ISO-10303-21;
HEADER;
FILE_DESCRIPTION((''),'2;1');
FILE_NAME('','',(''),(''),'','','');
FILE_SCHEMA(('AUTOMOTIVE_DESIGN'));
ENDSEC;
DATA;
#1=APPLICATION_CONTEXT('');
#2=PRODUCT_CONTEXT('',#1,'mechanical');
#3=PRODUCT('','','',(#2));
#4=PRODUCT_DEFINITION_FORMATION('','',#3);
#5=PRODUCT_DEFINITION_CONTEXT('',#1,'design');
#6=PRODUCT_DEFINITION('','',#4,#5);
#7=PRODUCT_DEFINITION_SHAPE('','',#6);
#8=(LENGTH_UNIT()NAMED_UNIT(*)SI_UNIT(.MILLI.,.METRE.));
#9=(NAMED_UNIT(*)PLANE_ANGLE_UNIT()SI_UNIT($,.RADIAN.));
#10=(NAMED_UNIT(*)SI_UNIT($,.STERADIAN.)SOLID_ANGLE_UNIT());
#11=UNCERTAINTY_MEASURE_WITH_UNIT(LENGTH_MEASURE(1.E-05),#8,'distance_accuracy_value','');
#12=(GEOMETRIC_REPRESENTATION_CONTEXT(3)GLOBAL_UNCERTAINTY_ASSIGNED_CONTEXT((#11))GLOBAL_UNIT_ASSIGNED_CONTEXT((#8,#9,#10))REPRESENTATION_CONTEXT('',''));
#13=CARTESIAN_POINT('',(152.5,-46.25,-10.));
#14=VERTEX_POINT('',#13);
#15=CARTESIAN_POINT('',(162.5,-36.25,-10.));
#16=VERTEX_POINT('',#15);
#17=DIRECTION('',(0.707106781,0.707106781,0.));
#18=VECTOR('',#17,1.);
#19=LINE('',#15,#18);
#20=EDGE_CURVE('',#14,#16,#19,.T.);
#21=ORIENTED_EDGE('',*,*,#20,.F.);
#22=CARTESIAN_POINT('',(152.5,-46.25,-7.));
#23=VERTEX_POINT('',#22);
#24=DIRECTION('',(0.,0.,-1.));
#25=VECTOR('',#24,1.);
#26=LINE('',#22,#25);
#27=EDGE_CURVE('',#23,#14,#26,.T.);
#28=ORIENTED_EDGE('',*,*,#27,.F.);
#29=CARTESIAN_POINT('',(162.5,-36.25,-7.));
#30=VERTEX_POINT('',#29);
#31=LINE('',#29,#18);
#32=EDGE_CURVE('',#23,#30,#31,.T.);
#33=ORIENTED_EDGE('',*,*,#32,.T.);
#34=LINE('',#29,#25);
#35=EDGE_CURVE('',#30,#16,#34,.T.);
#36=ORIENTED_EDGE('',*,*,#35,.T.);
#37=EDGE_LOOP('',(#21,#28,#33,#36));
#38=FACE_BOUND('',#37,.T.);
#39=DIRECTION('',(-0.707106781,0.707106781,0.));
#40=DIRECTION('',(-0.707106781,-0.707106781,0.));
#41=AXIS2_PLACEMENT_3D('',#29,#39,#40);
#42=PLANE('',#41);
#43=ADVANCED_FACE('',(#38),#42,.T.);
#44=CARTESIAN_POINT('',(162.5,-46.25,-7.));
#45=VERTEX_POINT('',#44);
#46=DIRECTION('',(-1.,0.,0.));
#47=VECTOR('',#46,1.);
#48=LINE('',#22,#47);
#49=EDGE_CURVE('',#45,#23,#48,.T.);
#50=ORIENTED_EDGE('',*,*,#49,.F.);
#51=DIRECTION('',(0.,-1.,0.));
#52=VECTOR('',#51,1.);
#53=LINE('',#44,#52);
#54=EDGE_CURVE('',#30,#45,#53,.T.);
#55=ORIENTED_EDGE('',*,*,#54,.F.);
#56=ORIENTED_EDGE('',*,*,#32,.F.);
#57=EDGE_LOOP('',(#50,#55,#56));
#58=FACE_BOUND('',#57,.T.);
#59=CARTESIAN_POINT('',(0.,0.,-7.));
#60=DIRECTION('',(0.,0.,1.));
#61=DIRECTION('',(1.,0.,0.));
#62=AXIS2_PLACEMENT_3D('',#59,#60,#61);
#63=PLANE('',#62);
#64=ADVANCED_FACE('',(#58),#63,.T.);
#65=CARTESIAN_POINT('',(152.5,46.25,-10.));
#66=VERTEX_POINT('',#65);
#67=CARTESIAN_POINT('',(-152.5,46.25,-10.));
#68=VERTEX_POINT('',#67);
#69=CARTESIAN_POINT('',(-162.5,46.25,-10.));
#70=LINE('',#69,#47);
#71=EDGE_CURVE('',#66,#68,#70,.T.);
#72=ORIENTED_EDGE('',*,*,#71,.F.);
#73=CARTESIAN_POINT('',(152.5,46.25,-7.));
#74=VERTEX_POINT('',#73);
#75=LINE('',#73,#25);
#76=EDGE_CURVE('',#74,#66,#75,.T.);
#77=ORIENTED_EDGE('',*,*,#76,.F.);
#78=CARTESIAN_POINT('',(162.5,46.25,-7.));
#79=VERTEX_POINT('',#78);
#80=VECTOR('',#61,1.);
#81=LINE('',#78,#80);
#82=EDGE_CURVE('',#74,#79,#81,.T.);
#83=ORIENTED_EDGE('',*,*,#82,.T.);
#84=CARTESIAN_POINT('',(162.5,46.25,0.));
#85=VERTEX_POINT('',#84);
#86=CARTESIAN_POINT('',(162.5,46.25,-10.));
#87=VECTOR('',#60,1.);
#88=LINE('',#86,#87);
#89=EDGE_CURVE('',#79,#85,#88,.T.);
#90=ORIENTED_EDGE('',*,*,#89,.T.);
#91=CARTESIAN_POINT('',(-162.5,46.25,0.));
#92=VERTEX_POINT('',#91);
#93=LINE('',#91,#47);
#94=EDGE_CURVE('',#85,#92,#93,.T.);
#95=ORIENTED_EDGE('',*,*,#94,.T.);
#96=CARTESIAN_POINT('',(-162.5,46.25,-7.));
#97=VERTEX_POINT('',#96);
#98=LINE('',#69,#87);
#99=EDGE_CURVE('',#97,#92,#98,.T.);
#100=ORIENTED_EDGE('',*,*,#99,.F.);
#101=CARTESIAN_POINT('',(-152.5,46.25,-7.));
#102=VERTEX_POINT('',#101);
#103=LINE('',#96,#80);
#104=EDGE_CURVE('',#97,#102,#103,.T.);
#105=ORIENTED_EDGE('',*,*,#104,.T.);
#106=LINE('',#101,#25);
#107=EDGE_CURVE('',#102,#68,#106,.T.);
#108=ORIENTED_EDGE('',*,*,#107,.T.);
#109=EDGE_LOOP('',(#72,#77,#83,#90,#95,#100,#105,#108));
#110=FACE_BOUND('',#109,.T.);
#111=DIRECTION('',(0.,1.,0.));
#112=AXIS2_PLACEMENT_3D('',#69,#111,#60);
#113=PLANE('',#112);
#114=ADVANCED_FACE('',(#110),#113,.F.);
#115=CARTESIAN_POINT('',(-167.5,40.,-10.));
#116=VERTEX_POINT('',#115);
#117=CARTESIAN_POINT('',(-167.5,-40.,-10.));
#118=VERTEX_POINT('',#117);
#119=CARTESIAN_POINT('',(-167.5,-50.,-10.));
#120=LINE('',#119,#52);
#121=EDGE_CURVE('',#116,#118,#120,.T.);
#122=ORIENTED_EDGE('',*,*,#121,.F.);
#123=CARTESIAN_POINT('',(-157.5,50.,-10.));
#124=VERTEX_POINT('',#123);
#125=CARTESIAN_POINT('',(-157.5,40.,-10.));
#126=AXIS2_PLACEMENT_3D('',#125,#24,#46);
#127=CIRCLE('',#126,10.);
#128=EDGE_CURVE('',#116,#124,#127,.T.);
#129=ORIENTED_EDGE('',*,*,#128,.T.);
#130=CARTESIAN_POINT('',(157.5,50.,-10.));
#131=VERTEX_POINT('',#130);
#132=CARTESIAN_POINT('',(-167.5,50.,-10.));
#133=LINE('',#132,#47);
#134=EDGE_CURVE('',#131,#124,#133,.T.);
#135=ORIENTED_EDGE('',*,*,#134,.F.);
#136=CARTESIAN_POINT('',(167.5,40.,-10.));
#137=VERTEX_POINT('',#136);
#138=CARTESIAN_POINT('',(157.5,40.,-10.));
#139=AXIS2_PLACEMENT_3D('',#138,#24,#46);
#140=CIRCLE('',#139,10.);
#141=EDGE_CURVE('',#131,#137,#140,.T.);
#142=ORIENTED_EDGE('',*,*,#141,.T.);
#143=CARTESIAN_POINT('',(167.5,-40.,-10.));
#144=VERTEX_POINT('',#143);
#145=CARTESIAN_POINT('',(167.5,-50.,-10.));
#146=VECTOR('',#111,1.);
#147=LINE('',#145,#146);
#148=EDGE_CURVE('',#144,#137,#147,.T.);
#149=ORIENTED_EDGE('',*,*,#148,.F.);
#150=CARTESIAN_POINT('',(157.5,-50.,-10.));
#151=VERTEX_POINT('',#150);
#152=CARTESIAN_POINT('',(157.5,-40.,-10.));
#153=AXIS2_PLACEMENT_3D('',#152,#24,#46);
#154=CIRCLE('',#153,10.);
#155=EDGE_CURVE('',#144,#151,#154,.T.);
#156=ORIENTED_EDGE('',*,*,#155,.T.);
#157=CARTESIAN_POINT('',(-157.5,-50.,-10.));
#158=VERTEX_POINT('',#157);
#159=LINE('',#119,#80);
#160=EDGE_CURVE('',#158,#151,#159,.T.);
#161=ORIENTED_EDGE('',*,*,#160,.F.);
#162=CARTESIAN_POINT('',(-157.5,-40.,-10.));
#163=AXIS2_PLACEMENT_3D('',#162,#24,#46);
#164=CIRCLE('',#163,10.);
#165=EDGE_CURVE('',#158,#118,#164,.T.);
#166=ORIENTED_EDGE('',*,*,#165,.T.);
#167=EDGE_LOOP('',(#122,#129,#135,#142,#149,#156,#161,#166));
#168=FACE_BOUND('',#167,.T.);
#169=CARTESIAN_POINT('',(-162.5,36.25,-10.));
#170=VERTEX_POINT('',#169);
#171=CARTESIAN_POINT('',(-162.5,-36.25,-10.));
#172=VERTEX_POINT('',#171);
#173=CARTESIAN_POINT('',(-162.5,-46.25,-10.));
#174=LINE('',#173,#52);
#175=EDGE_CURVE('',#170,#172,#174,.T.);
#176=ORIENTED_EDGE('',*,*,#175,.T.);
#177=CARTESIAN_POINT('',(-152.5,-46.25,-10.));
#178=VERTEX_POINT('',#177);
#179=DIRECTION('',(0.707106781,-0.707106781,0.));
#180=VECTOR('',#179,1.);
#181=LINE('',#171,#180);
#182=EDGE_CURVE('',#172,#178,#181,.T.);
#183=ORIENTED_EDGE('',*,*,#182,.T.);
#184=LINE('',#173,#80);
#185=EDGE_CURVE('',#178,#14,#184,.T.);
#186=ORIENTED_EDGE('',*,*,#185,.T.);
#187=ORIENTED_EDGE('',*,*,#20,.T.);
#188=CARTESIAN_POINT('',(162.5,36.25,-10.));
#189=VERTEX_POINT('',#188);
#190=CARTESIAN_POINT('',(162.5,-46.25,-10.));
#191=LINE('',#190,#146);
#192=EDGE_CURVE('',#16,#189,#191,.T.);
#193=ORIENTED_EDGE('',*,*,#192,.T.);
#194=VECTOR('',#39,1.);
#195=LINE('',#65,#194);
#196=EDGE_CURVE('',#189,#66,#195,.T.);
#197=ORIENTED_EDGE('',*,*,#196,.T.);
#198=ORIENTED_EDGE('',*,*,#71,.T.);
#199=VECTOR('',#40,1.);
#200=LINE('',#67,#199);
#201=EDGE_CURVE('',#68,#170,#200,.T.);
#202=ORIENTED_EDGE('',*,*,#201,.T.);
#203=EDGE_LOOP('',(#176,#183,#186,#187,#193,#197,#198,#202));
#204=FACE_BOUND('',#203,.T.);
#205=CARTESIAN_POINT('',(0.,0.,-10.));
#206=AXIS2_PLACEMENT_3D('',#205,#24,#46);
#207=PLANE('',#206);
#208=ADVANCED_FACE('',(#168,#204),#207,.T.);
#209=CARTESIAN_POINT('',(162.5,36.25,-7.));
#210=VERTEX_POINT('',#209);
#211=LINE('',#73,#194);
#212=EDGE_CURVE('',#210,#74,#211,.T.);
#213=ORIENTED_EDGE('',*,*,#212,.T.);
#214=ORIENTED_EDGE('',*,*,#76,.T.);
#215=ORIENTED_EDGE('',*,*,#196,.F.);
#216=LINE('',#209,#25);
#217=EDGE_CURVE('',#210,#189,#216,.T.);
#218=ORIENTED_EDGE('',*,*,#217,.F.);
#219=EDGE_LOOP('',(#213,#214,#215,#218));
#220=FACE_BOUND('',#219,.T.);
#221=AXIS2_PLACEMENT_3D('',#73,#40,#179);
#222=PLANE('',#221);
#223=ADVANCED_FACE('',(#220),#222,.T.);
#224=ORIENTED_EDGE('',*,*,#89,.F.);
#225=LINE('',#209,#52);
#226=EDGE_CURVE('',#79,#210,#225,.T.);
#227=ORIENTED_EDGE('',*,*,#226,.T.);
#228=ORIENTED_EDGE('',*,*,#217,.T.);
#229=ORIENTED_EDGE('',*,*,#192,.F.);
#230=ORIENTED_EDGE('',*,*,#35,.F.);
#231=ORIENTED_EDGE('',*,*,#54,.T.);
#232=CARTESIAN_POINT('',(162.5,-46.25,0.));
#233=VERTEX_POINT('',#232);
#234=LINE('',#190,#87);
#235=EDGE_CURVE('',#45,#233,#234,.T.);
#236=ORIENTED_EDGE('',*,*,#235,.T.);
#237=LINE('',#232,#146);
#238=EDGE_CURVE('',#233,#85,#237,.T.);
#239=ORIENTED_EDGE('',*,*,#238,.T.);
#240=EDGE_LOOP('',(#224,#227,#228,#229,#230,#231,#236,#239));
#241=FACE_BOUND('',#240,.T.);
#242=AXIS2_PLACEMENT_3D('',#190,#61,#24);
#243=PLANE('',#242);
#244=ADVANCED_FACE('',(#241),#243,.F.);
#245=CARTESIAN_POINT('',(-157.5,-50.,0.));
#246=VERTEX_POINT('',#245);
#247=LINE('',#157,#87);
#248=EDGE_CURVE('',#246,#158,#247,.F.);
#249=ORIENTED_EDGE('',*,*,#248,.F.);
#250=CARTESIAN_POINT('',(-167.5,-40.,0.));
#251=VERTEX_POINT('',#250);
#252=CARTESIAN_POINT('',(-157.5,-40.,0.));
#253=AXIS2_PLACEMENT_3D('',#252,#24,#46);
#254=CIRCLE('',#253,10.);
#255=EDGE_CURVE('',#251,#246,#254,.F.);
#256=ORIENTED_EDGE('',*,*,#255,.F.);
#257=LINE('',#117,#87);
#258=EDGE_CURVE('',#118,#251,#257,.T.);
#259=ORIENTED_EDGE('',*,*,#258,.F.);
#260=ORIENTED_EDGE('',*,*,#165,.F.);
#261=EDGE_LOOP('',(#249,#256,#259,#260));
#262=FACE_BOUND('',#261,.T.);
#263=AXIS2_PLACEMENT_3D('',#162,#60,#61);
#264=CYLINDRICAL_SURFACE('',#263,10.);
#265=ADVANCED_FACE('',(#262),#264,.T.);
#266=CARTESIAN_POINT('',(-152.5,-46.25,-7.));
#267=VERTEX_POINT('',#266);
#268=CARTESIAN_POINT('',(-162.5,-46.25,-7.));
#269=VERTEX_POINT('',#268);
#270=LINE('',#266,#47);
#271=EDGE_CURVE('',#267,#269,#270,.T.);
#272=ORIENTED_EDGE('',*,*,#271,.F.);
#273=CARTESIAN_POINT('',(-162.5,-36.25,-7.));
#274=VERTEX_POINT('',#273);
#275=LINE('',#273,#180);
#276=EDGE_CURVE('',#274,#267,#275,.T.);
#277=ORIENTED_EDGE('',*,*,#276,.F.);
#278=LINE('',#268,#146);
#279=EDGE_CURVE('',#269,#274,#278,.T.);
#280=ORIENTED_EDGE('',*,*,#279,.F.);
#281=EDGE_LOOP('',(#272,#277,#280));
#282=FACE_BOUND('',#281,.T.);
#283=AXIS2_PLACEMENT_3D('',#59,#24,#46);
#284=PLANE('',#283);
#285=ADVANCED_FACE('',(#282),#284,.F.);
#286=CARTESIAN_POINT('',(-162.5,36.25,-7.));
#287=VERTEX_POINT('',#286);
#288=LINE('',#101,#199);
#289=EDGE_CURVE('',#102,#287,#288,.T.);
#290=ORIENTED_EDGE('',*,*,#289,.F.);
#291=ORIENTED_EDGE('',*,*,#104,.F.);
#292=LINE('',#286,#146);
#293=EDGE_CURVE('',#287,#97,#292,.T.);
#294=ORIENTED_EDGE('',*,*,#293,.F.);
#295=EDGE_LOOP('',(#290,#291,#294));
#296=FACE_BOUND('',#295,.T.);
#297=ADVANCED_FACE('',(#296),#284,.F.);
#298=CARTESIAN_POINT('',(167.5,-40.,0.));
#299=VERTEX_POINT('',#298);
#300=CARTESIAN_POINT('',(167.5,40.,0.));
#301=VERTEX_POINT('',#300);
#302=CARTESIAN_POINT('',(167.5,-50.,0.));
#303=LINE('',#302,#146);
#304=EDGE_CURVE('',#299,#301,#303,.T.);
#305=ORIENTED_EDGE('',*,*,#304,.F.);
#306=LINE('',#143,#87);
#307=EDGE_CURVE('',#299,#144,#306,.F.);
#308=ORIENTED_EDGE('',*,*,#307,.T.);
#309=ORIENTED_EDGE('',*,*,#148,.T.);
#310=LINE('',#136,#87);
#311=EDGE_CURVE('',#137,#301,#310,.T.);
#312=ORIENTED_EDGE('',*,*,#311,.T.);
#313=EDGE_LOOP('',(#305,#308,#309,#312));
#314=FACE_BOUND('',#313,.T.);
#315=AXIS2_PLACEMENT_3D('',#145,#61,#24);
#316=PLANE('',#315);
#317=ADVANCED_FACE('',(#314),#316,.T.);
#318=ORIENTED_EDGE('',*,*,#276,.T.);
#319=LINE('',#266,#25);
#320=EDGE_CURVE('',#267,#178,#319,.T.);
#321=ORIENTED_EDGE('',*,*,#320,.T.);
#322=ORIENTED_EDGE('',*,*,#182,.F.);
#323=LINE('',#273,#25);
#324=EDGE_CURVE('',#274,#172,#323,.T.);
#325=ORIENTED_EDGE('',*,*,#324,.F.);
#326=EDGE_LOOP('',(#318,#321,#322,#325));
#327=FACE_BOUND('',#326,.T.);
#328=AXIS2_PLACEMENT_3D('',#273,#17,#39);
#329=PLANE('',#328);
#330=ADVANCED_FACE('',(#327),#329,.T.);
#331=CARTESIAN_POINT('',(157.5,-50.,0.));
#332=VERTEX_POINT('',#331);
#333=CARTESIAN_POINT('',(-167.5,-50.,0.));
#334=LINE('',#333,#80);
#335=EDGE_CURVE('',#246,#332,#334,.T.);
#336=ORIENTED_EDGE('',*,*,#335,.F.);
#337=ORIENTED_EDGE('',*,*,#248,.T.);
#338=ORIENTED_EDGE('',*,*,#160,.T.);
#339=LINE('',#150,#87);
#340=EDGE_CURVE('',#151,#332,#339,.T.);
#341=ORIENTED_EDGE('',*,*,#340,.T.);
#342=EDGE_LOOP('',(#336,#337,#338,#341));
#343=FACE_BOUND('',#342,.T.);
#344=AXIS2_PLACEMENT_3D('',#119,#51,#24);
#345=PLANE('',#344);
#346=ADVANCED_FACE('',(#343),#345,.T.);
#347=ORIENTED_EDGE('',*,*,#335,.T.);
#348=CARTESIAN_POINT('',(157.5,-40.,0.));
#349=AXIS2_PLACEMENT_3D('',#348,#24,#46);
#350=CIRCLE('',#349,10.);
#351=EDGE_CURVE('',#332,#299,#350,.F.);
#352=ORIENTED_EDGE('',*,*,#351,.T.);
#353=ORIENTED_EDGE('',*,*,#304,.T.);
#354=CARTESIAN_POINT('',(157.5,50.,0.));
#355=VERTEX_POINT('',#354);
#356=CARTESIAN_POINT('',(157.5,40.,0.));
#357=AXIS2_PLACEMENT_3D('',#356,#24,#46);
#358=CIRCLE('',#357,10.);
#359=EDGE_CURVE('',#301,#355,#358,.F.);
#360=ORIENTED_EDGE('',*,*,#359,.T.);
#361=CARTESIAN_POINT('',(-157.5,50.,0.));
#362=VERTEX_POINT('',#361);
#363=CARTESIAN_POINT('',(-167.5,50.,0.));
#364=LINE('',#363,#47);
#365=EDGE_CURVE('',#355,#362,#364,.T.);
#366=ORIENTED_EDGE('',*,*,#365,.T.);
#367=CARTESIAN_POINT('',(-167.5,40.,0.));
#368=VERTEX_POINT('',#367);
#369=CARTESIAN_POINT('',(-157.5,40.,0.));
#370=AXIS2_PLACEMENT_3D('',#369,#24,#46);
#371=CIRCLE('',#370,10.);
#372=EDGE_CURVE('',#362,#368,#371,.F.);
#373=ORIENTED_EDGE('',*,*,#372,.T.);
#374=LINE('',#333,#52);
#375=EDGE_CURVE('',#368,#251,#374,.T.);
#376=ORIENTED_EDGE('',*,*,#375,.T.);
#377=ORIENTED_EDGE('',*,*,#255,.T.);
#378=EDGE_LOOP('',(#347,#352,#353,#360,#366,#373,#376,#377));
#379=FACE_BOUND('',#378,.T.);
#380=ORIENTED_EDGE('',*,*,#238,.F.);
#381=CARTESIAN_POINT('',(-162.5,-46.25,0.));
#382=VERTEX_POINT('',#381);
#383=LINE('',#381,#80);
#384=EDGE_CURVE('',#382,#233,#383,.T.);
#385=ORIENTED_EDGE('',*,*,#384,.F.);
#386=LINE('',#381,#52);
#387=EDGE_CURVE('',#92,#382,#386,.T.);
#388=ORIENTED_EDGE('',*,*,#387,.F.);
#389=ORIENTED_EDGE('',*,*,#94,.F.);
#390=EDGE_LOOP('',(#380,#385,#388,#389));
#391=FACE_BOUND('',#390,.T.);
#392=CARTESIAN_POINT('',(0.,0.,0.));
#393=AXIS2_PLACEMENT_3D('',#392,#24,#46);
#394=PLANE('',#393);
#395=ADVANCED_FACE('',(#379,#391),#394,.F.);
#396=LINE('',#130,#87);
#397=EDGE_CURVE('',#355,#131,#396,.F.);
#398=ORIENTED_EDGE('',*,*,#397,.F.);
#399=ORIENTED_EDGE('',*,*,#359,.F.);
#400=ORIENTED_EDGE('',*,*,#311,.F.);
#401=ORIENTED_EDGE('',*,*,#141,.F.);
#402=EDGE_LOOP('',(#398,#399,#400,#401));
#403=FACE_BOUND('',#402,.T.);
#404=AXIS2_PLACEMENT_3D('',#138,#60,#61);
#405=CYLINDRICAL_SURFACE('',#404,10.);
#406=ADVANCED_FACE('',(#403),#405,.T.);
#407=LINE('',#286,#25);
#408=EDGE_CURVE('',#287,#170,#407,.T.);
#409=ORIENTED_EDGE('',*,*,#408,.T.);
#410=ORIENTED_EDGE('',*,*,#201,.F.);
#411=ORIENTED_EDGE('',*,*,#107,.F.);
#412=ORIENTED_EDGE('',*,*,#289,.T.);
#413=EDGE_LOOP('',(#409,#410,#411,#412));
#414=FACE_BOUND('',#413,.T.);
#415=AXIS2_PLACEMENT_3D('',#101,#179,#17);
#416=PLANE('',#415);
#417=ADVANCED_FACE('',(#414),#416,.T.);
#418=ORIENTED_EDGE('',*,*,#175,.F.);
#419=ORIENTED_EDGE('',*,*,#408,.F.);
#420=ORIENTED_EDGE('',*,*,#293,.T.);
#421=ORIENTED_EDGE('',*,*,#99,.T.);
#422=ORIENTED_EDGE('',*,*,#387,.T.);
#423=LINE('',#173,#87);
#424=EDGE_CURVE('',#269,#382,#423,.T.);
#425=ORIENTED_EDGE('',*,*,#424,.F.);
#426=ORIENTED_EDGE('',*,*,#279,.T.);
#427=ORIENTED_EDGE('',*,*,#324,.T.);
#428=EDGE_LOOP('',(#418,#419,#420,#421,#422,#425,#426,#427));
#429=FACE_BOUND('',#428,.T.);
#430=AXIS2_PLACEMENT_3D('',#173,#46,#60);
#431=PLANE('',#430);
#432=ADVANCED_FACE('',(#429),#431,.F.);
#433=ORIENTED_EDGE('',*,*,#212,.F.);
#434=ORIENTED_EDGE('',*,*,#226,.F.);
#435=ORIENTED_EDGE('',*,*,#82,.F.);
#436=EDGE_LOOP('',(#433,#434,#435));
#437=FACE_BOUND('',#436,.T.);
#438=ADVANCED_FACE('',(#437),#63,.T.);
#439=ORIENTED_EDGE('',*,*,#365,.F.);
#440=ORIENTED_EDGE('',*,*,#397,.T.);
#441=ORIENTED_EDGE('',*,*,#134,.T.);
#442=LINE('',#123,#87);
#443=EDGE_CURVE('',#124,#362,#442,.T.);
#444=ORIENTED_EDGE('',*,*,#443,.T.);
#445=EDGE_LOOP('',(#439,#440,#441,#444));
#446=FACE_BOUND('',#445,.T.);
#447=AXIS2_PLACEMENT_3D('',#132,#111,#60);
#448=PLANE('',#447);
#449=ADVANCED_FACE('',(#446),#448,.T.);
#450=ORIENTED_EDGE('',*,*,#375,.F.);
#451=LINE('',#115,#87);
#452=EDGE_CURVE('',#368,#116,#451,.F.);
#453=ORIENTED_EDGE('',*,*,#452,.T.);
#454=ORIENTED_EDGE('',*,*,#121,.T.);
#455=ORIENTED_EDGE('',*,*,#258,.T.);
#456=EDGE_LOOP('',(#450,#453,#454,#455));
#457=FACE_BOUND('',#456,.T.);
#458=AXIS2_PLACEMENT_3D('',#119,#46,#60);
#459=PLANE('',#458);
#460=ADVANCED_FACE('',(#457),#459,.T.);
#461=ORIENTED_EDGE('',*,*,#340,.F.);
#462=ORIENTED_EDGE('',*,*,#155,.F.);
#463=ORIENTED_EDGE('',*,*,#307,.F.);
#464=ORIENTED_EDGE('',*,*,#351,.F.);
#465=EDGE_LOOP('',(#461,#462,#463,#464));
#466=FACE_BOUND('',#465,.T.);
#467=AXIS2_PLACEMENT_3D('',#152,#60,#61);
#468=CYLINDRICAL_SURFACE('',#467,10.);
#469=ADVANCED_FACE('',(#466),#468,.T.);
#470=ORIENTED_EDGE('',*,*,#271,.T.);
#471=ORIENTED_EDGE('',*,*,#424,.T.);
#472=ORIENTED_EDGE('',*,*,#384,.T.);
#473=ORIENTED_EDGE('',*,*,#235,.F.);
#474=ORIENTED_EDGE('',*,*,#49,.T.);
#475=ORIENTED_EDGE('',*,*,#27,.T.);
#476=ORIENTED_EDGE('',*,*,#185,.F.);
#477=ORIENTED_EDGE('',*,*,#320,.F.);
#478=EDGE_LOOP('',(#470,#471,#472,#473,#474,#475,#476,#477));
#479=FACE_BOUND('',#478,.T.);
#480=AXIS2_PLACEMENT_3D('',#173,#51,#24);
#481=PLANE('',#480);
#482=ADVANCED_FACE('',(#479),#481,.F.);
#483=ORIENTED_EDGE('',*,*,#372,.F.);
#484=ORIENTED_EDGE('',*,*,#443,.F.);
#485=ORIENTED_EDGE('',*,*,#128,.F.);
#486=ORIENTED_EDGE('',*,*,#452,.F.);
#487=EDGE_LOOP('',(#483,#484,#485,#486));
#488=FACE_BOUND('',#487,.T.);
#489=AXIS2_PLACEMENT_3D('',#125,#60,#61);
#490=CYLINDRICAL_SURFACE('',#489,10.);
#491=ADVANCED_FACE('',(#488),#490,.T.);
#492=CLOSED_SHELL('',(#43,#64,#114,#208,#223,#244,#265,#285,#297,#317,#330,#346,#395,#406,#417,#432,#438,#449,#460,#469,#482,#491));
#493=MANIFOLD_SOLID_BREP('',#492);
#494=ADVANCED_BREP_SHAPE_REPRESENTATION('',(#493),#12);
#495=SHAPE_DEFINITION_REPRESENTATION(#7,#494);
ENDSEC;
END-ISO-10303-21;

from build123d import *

# Parameters (mm, degrees)
SKETCH1_W           = 335
SKETCH1_H           = 100
SKETCH1_W_2         = 325
SKETCH1_H_2         = 92.5
BOSS_EXTRUDE1_DEPTH = 10
FILLET1_R           = 10
BOSS_EXTRUDE2_DEPTH = 3


with BuildPart() as part:
    # Sketch1 → Boss-Extrude1 (new body)
    with BuildSketch(Plane.XY):
        Rectangle(SKETCH1_W, SKETCH1_H)
        Rectangle(SKETCH1_W_2, SKETCH1_H_2, mode=Mode.SUBTRACT)
    extrude(amount=-BOSS_EXTRUDE1_DEPTH)

    # Fillet1
    fillet1_edges = [part.edges().sort_by_distance(p)[0] for p in [
        (167.5, -50, -5),
        (-167.5, -50, -5),
        (-167.5, 50, -5),
        (167.5, 50, -5),
    ]]
    fillet(fillet1_edges, radius=FILLET1_R)

    # Sketch2 → Boss-Extrude2 (add)
    with BuildSketch(Plane(origin=(0, 0, -10), x_dir=(-1, 0, 0), z_dir=(0, 0, -1))):
        Polygon((-162.5, -46.25), (-162.5, -36.25), (-152.5, -46.25), align=None)
        Polygon((-162.5, 46.25), (-152.5, 46.25), (-162.5, 36.25), align=None)
        Polygon((162.5, 46.25), (152.5, 46.25), (162.5, 36.25), align=None)
        Polygon((162.5, -46.25), (162.5, -36.25), (152.5, -46.25), align=None)
    extrude(amount=-BOSS_EXTRUDE2_DEPTH)


solid = part.part
